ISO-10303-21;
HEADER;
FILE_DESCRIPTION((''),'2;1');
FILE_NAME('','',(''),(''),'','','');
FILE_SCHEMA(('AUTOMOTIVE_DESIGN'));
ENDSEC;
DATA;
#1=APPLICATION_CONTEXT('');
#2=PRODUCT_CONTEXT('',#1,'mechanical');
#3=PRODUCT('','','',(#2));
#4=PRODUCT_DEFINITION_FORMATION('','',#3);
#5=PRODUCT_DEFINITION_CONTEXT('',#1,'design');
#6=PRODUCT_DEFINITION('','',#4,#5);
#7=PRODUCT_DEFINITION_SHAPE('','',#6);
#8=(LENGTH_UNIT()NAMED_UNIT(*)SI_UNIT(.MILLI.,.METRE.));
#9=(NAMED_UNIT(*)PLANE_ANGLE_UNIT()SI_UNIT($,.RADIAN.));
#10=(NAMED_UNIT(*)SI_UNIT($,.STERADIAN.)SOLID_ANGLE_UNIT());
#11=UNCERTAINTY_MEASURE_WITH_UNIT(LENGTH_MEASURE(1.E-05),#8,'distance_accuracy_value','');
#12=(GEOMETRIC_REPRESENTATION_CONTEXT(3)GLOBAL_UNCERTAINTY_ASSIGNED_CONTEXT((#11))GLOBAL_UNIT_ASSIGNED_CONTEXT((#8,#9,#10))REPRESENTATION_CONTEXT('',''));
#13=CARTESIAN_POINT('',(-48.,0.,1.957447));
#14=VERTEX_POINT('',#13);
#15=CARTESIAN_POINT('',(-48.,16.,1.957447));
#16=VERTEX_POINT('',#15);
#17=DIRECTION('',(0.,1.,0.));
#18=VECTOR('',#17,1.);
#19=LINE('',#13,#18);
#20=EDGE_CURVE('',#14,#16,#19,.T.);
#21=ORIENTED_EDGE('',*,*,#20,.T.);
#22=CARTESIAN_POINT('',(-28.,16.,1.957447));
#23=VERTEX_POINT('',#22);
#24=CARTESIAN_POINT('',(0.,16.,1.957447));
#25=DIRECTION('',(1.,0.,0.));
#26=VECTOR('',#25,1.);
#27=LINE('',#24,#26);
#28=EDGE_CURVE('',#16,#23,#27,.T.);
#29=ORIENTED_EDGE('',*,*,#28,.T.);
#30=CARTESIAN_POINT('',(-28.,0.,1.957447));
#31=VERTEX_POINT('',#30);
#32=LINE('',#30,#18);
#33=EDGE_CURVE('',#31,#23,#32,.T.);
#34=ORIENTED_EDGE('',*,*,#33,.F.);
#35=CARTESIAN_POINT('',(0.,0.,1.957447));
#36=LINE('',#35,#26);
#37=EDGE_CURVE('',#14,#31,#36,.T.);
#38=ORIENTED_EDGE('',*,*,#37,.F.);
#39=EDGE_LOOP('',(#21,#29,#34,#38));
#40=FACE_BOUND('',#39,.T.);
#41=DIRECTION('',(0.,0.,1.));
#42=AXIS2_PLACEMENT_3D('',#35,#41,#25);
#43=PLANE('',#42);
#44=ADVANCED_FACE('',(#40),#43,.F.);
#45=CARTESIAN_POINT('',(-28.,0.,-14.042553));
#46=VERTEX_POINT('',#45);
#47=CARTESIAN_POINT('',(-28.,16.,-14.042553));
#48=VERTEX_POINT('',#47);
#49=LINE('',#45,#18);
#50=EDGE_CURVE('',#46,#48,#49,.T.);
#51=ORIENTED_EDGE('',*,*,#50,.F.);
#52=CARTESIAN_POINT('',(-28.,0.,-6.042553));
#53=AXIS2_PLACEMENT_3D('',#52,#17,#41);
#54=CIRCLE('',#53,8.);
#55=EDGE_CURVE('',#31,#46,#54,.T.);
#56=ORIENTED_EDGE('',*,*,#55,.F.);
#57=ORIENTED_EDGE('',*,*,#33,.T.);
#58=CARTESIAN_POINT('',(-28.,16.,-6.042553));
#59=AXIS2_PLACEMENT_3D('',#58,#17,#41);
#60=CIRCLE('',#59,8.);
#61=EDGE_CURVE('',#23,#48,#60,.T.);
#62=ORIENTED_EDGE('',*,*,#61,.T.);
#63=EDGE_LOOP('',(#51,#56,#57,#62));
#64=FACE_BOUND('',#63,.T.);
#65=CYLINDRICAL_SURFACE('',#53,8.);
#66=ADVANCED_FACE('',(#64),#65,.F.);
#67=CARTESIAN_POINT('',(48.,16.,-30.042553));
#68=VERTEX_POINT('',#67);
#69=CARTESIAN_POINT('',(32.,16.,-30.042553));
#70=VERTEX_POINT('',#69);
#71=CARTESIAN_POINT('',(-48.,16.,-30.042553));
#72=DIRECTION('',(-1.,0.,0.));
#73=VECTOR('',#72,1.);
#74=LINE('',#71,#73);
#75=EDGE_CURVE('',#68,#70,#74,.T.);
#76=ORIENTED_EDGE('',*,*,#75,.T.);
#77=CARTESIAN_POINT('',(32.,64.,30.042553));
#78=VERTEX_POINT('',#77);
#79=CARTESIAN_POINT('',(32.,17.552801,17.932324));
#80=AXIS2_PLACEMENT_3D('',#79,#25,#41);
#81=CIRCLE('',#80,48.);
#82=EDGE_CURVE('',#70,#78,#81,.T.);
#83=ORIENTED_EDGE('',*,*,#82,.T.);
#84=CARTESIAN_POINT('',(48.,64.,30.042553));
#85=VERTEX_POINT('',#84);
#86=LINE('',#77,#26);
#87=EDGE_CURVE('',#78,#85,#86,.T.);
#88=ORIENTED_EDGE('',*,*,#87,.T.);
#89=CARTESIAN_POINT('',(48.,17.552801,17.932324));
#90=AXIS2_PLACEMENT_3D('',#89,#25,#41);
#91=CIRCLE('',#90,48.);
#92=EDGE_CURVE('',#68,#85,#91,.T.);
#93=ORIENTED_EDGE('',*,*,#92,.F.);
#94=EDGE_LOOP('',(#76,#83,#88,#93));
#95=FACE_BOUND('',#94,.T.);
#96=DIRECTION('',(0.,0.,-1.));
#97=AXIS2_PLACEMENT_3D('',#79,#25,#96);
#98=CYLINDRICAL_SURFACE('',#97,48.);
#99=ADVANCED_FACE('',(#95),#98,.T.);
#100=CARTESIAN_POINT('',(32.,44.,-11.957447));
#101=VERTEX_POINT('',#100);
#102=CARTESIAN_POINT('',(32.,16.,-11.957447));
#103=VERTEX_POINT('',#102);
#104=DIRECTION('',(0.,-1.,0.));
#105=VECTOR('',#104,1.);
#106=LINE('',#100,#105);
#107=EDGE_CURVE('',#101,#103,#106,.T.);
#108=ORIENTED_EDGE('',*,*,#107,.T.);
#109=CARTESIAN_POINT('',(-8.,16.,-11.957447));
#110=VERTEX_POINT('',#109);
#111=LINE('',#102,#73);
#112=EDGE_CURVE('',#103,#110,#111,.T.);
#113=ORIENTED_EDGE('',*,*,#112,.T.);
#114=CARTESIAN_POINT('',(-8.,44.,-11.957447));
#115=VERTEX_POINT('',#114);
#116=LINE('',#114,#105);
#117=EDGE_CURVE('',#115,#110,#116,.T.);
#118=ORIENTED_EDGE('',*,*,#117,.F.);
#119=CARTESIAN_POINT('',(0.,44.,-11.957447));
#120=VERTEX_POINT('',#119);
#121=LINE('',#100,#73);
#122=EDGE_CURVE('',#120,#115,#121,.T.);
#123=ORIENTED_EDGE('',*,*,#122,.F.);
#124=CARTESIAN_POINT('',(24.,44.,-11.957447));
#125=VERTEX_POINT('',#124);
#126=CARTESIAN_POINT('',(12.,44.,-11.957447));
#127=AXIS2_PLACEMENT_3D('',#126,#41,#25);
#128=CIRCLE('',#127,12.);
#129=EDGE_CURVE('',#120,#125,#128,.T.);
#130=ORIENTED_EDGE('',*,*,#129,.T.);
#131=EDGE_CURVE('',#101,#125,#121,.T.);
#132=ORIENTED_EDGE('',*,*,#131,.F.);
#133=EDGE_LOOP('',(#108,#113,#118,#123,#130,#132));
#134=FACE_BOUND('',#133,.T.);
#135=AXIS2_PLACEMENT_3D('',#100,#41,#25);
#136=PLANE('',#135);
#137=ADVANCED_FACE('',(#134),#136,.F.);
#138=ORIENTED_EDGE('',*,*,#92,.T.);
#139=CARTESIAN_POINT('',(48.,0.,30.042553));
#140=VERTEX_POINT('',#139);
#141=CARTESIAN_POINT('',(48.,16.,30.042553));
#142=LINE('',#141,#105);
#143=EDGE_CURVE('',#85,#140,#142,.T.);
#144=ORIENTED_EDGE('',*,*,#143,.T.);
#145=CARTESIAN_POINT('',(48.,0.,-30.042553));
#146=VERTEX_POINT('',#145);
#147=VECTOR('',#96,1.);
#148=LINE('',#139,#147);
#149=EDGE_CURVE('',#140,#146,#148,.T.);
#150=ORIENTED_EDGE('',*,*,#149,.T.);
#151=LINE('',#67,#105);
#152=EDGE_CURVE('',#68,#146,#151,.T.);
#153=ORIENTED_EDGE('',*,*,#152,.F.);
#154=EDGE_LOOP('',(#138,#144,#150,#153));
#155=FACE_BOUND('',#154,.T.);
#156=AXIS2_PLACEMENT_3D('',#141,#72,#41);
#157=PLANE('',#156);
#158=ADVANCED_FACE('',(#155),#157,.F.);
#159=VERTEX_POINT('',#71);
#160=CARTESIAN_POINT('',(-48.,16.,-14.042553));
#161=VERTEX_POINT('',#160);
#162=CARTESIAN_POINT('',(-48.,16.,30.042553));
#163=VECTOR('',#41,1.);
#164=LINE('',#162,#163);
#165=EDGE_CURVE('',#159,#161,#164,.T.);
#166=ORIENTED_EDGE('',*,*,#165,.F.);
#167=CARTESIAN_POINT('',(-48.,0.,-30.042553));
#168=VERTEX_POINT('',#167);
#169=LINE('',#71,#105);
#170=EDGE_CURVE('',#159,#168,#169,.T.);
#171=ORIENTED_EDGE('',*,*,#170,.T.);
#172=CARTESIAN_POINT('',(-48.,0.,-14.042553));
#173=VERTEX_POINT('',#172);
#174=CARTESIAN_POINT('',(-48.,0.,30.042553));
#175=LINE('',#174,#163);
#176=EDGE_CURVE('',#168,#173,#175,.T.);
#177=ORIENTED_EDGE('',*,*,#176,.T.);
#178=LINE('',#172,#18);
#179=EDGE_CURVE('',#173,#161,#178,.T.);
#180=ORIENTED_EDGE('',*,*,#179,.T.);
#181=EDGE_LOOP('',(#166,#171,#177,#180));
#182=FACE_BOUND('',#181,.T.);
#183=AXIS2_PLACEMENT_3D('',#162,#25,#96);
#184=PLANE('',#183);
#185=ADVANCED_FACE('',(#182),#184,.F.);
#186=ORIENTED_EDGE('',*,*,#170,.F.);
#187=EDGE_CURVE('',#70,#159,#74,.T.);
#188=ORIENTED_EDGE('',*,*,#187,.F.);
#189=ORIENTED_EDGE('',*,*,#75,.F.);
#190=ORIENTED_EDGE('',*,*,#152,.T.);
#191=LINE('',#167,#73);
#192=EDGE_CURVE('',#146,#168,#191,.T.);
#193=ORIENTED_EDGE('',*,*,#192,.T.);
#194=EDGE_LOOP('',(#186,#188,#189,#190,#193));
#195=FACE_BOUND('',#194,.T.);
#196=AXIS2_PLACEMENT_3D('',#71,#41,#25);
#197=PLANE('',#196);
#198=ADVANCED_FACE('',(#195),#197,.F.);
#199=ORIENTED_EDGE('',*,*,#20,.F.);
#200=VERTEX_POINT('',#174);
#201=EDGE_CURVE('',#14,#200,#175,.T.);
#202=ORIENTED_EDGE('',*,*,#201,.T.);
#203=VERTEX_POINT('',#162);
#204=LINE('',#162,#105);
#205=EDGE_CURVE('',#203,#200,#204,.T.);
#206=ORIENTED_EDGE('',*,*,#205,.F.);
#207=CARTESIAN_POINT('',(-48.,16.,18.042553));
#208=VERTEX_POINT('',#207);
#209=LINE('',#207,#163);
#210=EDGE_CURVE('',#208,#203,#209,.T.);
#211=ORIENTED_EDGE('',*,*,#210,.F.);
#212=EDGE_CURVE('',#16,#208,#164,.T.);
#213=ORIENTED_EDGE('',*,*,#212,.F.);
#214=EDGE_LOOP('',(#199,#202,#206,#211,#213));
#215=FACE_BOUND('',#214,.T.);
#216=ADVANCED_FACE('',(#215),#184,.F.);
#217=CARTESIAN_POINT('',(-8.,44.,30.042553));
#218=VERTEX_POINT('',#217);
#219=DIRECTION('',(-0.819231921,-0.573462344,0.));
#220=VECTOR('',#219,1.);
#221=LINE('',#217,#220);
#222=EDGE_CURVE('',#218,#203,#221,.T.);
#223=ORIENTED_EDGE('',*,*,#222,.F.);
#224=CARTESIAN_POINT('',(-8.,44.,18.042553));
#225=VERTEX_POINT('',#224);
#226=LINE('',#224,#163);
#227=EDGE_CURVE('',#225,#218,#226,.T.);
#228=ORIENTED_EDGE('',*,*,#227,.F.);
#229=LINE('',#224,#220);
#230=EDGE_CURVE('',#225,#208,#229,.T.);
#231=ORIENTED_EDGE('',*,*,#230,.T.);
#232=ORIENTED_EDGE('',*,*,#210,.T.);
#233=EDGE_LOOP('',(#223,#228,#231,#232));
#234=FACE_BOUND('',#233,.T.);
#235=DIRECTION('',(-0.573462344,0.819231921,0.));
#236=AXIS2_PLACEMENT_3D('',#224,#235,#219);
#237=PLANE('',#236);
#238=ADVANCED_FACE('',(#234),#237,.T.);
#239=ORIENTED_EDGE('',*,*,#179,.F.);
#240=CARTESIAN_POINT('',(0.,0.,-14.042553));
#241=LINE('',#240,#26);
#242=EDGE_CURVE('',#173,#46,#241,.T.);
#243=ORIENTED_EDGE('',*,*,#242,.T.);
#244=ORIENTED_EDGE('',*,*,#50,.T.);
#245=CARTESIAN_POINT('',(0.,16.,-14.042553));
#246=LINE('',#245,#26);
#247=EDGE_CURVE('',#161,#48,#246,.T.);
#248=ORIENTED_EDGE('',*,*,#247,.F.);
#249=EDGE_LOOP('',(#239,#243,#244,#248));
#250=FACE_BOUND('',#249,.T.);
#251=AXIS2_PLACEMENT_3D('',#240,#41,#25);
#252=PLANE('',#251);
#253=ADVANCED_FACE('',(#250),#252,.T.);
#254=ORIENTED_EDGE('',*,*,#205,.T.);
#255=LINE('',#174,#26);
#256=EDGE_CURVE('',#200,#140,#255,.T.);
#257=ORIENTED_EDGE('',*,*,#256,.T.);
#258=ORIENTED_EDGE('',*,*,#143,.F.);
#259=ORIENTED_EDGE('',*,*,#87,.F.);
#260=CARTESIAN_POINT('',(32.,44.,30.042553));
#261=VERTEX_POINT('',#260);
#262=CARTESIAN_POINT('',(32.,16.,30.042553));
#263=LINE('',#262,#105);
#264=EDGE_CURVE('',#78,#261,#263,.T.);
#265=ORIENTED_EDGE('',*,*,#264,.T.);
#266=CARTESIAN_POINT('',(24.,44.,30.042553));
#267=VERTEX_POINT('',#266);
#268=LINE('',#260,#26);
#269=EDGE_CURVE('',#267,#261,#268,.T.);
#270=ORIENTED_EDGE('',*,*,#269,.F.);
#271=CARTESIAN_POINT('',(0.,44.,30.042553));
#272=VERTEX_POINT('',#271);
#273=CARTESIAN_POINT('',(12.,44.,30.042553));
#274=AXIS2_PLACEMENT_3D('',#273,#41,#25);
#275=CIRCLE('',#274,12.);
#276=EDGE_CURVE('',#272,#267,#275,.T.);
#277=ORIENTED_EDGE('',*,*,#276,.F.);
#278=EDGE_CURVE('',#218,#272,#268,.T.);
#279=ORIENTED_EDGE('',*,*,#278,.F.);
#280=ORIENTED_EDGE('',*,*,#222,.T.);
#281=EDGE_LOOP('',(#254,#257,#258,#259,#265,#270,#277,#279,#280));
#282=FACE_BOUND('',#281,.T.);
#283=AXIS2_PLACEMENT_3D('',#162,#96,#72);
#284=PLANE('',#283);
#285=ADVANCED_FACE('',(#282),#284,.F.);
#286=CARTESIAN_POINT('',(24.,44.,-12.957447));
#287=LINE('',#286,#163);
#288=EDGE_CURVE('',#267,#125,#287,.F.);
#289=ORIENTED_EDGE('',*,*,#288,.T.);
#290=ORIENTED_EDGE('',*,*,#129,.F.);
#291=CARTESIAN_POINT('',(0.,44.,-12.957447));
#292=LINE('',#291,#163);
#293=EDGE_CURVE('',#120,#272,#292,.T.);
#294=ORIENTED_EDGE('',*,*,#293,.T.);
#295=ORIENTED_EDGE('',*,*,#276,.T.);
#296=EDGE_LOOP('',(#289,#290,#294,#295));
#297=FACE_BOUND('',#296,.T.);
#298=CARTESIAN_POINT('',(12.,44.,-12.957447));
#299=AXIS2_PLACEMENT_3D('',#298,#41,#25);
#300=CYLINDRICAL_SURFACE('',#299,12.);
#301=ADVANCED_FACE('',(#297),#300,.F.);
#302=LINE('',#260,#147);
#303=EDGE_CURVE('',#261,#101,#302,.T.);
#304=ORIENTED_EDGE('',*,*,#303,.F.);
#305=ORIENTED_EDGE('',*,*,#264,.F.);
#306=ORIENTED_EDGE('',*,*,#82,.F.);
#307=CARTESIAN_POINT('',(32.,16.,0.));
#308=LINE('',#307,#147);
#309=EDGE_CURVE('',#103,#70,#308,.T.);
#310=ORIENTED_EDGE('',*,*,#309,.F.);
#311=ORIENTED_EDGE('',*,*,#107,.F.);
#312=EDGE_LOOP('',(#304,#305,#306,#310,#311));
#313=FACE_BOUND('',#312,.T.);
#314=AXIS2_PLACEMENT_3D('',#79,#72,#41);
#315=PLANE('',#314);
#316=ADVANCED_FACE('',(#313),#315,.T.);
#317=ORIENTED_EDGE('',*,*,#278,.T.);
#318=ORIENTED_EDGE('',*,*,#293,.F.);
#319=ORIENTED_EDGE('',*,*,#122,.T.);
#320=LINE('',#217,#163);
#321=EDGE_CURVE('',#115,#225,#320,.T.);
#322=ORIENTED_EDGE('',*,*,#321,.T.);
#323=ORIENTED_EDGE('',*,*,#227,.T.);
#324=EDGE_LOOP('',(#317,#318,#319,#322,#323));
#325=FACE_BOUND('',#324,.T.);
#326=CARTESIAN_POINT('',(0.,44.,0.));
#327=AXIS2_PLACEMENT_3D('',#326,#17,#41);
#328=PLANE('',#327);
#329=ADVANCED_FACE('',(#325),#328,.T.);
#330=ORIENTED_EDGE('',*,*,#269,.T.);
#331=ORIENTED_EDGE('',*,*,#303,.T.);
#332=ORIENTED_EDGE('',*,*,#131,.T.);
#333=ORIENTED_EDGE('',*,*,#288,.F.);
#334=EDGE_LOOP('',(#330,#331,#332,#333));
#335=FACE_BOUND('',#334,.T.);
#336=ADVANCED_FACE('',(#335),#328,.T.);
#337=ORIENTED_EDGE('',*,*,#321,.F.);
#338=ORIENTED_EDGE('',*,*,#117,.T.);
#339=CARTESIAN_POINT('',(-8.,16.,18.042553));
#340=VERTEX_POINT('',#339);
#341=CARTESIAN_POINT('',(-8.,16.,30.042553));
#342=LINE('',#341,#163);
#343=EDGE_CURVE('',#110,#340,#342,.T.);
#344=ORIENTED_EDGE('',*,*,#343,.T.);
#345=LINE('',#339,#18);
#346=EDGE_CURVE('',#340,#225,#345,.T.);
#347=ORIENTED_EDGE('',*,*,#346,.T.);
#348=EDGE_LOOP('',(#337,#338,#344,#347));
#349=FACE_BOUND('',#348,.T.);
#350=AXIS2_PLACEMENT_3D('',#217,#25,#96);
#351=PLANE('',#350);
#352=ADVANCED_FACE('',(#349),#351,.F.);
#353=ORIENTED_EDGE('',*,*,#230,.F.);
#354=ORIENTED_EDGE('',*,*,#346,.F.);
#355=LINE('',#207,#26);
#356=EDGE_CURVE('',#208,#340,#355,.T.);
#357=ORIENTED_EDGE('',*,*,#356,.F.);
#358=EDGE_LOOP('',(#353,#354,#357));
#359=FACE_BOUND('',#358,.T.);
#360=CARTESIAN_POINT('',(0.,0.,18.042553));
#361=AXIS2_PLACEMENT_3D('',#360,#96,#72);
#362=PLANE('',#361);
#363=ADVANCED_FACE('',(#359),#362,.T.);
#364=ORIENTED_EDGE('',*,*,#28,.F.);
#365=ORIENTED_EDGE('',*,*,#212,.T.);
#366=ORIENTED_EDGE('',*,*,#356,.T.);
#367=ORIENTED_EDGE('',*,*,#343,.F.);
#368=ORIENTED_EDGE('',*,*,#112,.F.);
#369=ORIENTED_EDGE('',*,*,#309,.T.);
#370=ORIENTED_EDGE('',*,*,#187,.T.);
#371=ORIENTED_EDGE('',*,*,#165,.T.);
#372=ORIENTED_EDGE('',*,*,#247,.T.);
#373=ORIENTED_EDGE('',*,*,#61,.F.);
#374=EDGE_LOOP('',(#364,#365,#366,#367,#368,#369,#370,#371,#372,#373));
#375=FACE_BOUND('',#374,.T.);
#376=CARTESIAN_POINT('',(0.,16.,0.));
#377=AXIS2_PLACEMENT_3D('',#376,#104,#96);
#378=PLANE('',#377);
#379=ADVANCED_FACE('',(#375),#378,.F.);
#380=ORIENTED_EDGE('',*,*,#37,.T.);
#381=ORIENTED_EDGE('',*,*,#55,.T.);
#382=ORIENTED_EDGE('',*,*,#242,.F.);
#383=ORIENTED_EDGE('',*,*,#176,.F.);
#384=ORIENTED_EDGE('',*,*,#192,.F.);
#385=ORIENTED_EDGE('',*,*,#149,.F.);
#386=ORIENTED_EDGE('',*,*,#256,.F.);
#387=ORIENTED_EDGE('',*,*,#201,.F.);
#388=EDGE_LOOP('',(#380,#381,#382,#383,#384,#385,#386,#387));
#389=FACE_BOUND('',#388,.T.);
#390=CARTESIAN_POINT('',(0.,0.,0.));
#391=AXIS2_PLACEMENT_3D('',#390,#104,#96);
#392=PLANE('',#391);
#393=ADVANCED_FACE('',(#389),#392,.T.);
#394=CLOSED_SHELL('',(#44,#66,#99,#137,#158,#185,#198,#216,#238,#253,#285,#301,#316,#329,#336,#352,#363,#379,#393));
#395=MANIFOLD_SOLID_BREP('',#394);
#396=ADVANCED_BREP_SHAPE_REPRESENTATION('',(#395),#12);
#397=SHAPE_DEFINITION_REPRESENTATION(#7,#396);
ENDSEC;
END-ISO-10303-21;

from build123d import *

# Parameters (mm, degrees)
SKETCH1_W           = 96
SKETCH1_H           = 60.085106382
BOSS_EXTRUDE2_DEPTH = 16
BOSS_EXTRUDE3_DEPTH = 16
SKETCH5_W           = 40
SKETCH5_H           = 42
BOSS_EXTRUDE4_DEPTH = 28
SKETCH6_R           = 12
CUT_EXTRUDE1_DEPTH  = 43
BOSS_EXTRUDE6_DEPTH = 12
CUT_EXTRUDE2_DEPTH  = 16


with BuildPart() as part:
    # Sketch1 → Boss-Extrude2 (new body)
    with BuildSketch(Plane(origin=(0, 0, 0), x_dir=(1, 0, 0), z_dir=(0, 1, 0))):
        Rectangle(SKETCH1_W, SKETCH1_H)
    extrude(amount=BOSS_EXTRUDE2_DEPTH)

    # Sketch4 → Boss-Extrude3 (add)
    with BuildSketch(Plane(origin=(48, 0, 0), x_dir=(0, 0, -1), z_dir=(1, 0, 0))):
        with BuildLine():
            Line((-30.042553191, 16), (-30.042553191, 64))
            ThreePointArc((-30.042553191, 64), (12.027119449, 55.055223992), (30.042553191, 16))
            Line((30.042553191, 16), (30.042553191, 0))
            Line((30.042553191, 0), (-30.042553191, 0))
            Line((-30.042553191, 0), (-30.042553191, 16))
        make_face()
    extrude(amount=-BOSS_EXTRUDE3_DEPTH)

    # Sketch5 → Boss-Extrude4 (add)
    with BuildSketch(Plane(origin=(0, 16, 0), x_dir=(1, 0, 0), z_dir=(0, 1, 0))):
        with Locations((12, -9.042553191)):
            Rectangle(SKETCH5_W, SKETCH5_H)
    extrude(amount=BOSS_EXTRUDE4_DEPTH)

    # Sketch6 → Cut-Extrude1 (cut)
    with BuildSketch(Plane.XY.offset(30.042553191)):
        with Locations((12, 44)):
            Circle(SKETCH6_R)
    extrude(amount=-CUT_EXTRUDE1_DEPTH, mode=Mode.SUBTRACT)

    # Sketch10 → Boss-Extrude6 (add)
    with BuildSketch(Plane.XY.offset(30.042553191)):
        Polygon((-8, 44), (-48, 16), (-8, 16), align=None)
    extrude(amount=-BOSS_EXTRUDE6_DEPTH)

    # Sketch11 → Cut-Extrude2 (cut)
    with BuildSketch(Plane(origin=(0, 16, 0), x_dir=(1, 0, 0), z_dir=(0, 1, 0))):
        with BuildLine():
            Line((-28, 14.042553191), (-48, 14.042553191))
            Line((-48, 14.042553191), (-48, -1.957446809))
            Line((-48, -1.957446809), (-28, -1.957446809))
            ThreePointArc((-28, -1.957446809), (-36, 6.042553191), (-28, 14.042553191))
        make_face()
        with BuildLine():
            ThreePointArc((-20, 6.042553191), (-22.343145751, 11.699407441), (-28, 14.042553191))
            Line((-28, 14.042553191), (-28, -1.957446809))
            ThreePointArc((-28, -1.957446809), (-22.343145751, 0.385698942), (-20, 6.042553191))
        make_face()
        with BuildLine():
            Line((-28, -1.957446809), (-28, 14.042553191))
            ThreePointArc((-28, 14.042553191), (-36, 6.042553191), (-28, -1.957446809))
        make_face()
    extrude(amount=-CUT_EXTRUDE2_DEPTH, mode=Mode.SUBTRACT)


solid = part.part
